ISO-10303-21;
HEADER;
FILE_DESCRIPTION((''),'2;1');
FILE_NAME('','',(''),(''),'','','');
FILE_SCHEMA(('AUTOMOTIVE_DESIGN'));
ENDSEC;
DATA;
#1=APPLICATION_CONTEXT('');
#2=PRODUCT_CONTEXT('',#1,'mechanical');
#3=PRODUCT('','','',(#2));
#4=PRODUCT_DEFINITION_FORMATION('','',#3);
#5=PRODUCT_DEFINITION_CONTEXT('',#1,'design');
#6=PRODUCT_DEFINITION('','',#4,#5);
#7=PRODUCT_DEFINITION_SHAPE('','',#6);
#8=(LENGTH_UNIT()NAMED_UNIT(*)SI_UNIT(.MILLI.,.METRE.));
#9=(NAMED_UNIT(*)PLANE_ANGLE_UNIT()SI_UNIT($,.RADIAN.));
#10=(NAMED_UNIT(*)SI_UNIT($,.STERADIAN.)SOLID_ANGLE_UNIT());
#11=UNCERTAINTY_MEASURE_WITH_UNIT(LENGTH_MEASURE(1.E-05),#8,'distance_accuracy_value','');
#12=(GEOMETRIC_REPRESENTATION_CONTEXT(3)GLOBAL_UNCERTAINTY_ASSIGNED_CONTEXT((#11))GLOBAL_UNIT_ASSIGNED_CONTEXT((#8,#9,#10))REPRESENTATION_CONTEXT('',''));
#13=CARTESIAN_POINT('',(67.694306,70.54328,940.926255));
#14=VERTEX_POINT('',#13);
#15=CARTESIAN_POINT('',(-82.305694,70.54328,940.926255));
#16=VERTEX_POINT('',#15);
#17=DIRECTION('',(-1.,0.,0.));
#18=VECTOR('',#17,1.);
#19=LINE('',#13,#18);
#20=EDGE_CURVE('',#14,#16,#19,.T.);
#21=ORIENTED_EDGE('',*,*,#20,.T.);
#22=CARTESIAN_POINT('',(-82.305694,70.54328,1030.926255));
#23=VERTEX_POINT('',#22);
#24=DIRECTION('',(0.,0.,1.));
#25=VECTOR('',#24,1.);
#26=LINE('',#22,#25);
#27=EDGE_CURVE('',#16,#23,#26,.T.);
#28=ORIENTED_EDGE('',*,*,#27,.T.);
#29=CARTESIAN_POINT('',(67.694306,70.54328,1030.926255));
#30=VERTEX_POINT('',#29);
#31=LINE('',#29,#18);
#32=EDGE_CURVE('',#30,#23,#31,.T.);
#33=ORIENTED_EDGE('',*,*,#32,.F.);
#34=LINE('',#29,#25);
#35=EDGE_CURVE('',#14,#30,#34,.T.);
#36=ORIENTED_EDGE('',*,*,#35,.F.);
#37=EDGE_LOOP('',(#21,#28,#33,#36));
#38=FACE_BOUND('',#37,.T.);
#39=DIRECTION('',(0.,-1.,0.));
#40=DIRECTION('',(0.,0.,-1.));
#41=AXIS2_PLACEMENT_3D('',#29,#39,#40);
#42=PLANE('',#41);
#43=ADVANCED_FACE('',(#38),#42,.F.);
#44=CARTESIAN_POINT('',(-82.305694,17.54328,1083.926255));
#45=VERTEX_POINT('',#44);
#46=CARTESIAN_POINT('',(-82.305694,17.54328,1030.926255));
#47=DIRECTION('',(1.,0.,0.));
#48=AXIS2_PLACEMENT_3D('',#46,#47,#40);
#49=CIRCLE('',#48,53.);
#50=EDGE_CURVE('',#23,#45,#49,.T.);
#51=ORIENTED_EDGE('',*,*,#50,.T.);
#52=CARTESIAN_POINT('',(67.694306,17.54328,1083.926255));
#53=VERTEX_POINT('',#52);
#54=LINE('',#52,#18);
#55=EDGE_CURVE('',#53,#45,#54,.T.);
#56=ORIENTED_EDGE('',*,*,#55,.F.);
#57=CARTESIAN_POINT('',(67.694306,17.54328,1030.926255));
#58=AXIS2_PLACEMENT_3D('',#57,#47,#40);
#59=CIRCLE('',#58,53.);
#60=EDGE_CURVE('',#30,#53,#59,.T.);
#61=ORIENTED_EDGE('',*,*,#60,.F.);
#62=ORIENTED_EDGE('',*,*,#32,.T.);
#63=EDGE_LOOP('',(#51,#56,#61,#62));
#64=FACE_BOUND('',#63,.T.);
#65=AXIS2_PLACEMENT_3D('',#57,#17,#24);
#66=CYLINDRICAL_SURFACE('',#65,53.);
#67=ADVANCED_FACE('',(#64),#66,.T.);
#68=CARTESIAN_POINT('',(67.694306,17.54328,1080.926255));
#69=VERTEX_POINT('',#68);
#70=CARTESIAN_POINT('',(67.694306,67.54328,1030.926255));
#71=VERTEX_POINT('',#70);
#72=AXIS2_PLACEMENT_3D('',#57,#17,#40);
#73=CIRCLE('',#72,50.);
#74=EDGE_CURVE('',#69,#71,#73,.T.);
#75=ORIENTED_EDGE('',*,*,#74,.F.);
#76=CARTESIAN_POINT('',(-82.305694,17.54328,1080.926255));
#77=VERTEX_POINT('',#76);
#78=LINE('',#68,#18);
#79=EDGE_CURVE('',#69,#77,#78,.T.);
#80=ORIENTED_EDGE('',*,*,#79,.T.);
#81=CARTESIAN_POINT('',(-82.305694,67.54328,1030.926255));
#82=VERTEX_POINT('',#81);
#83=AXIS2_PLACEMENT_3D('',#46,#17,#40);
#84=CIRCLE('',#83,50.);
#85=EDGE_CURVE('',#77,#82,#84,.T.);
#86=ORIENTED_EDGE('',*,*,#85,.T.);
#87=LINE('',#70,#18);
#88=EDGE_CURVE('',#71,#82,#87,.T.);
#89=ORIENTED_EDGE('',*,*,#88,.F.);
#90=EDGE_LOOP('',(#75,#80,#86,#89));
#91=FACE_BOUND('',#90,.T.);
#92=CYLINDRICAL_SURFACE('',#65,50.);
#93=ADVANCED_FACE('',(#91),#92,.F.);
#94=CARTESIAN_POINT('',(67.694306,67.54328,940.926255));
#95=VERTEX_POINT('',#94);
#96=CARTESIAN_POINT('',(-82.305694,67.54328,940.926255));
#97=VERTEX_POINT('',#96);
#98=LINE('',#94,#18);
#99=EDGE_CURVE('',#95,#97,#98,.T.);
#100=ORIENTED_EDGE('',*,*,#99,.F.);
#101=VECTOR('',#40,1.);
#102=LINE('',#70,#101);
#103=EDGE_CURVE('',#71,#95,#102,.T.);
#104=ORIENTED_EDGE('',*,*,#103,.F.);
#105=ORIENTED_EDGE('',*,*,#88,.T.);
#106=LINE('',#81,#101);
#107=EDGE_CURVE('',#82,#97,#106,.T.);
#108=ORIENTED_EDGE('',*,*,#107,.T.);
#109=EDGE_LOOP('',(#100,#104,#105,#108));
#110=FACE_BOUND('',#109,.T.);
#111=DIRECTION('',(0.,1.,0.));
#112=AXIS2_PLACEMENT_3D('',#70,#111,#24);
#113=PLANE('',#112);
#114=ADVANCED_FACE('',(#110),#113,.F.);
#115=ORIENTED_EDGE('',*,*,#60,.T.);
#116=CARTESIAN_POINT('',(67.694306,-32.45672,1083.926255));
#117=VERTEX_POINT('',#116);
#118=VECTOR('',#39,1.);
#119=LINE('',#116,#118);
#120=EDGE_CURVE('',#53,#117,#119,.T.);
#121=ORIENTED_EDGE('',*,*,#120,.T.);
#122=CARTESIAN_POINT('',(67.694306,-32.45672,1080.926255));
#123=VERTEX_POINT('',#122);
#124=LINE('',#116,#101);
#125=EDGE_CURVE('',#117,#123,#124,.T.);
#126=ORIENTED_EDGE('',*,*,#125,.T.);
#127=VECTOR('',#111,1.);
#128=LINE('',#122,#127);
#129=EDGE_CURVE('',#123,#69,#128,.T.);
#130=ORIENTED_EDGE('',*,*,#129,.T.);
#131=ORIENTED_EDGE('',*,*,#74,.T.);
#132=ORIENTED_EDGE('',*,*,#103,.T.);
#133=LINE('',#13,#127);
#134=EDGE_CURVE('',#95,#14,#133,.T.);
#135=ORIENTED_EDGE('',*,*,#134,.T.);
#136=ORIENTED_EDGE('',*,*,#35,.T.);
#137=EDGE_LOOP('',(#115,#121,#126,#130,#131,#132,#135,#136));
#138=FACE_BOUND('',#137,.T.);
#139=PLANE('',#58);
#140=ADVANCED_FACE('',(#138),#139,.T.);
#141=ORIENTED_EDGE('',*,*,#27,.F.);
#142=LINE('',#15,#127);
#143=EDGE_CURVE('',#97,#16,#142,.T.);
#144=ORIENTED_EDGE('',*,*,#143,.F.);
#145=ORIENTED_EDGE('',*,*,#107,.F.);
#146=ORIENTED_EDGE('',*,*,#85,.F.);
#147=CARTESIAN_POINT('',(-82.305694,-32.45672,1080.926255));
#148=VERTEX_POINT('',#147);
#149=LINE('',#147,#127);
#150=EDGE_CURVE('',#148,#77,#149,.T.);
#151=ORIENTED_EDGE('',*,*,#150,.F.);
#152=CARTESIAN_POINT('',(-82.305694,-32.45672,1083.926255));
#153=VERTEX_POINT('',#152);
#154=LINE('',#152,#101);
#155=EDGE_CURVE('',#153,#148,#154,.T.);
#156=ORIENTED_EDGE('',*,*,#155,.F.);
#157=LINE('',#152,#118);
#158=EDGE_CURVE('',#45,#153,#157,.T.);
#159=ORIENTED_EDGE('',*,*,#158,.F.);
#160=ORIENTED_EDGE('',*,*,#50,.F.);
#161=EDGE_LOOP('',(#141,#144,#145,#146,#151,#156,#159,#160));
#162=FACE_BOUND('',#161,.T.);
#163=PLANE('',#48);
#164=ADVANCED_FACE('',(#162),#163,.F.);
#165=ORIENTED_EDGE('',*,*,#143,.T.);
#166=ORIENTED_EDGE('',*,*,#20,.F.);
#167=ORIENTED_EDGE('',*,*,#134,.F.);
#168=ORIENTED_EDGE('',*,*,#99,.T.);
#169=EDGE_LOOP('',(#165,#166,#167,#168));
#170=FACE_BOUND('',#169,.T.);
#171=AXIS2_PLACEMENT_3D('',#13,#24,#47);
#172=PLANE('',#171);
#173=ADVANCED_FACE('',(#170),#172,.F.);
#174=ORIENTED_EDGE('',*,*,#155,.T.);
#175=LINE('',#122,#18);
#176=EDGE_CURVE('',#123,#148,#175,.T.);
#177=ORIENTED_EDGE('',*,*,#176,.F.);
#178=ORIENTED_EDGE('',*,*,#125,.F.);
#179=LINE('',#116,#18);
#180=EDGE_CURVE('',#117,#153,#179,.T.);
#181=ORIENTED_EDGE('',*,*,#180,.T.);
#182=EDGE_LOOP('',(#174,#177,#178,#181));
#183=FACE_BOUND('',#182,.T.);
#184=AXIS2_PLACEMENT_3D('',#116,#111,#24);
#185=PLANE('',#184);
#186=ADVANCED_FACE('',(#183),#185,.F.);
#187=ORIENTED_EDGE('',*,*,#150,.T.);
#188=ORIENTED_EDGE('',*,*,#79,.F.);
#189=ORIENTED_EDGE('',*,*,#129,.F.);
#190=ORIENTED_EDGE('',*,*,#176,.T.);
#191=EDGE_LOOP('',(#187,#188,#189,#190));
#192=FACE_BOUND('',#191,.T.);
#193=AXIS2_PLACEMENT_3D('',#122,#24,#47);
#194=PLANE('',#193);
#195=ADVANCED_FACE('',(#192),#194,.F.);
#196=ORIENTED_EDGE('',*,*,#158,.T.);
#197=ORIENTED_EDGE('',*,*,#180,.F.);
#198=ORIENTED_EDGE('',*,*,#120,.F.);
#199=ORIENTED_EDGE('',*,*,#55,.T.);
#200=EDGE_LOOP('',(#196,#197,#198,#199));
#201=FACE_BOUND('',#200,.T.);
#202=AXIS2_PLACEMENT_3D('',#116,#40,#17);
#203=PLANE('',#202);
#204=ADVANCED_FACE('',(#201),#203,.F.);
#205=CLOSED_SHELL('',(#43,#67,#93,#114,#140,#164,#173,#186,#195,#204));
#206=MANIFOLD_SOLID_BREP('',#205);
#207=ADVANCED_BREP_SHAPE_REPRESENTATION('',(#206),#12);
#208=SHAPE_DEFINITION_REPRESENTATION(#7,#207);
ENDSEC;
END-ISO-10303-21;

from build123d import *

# Parameters (mm, degrees)
SALIENTE_EXTRUIR1_DEPTH = 75


with BuildPart() as part:
    # Croquis1 → Saliente-Extruir1 (new, symmetric)
    with BuildSketch(Plane(origin=(-7.305693887, -32.456719669, 940.926254751), x_dir=(0, 0, -1), z_dir=(1, 0, 0))):
        with BuildLine():
            Line((-90, 100), (0, 100))
            Line((0, 100), (0, 103))
            Line((0, 103), (-90, 103))
            ThreePointArc((-90, 103), (-127.476659403, 87.476659403), (-143, 50))
            Line((-143, 50), (-143, 0))
            Line((-143, 0), (-140, 0))
            Line((-140, 0), (-140, 50))
            ThreePointArc((-140, 50), (-125.355339059, 85.355339059), (-90, 100))
        make_face()
    extrude(amount=SALIENTE_EXTRUIR1_DEPTH, both=True)


solid = part.part
